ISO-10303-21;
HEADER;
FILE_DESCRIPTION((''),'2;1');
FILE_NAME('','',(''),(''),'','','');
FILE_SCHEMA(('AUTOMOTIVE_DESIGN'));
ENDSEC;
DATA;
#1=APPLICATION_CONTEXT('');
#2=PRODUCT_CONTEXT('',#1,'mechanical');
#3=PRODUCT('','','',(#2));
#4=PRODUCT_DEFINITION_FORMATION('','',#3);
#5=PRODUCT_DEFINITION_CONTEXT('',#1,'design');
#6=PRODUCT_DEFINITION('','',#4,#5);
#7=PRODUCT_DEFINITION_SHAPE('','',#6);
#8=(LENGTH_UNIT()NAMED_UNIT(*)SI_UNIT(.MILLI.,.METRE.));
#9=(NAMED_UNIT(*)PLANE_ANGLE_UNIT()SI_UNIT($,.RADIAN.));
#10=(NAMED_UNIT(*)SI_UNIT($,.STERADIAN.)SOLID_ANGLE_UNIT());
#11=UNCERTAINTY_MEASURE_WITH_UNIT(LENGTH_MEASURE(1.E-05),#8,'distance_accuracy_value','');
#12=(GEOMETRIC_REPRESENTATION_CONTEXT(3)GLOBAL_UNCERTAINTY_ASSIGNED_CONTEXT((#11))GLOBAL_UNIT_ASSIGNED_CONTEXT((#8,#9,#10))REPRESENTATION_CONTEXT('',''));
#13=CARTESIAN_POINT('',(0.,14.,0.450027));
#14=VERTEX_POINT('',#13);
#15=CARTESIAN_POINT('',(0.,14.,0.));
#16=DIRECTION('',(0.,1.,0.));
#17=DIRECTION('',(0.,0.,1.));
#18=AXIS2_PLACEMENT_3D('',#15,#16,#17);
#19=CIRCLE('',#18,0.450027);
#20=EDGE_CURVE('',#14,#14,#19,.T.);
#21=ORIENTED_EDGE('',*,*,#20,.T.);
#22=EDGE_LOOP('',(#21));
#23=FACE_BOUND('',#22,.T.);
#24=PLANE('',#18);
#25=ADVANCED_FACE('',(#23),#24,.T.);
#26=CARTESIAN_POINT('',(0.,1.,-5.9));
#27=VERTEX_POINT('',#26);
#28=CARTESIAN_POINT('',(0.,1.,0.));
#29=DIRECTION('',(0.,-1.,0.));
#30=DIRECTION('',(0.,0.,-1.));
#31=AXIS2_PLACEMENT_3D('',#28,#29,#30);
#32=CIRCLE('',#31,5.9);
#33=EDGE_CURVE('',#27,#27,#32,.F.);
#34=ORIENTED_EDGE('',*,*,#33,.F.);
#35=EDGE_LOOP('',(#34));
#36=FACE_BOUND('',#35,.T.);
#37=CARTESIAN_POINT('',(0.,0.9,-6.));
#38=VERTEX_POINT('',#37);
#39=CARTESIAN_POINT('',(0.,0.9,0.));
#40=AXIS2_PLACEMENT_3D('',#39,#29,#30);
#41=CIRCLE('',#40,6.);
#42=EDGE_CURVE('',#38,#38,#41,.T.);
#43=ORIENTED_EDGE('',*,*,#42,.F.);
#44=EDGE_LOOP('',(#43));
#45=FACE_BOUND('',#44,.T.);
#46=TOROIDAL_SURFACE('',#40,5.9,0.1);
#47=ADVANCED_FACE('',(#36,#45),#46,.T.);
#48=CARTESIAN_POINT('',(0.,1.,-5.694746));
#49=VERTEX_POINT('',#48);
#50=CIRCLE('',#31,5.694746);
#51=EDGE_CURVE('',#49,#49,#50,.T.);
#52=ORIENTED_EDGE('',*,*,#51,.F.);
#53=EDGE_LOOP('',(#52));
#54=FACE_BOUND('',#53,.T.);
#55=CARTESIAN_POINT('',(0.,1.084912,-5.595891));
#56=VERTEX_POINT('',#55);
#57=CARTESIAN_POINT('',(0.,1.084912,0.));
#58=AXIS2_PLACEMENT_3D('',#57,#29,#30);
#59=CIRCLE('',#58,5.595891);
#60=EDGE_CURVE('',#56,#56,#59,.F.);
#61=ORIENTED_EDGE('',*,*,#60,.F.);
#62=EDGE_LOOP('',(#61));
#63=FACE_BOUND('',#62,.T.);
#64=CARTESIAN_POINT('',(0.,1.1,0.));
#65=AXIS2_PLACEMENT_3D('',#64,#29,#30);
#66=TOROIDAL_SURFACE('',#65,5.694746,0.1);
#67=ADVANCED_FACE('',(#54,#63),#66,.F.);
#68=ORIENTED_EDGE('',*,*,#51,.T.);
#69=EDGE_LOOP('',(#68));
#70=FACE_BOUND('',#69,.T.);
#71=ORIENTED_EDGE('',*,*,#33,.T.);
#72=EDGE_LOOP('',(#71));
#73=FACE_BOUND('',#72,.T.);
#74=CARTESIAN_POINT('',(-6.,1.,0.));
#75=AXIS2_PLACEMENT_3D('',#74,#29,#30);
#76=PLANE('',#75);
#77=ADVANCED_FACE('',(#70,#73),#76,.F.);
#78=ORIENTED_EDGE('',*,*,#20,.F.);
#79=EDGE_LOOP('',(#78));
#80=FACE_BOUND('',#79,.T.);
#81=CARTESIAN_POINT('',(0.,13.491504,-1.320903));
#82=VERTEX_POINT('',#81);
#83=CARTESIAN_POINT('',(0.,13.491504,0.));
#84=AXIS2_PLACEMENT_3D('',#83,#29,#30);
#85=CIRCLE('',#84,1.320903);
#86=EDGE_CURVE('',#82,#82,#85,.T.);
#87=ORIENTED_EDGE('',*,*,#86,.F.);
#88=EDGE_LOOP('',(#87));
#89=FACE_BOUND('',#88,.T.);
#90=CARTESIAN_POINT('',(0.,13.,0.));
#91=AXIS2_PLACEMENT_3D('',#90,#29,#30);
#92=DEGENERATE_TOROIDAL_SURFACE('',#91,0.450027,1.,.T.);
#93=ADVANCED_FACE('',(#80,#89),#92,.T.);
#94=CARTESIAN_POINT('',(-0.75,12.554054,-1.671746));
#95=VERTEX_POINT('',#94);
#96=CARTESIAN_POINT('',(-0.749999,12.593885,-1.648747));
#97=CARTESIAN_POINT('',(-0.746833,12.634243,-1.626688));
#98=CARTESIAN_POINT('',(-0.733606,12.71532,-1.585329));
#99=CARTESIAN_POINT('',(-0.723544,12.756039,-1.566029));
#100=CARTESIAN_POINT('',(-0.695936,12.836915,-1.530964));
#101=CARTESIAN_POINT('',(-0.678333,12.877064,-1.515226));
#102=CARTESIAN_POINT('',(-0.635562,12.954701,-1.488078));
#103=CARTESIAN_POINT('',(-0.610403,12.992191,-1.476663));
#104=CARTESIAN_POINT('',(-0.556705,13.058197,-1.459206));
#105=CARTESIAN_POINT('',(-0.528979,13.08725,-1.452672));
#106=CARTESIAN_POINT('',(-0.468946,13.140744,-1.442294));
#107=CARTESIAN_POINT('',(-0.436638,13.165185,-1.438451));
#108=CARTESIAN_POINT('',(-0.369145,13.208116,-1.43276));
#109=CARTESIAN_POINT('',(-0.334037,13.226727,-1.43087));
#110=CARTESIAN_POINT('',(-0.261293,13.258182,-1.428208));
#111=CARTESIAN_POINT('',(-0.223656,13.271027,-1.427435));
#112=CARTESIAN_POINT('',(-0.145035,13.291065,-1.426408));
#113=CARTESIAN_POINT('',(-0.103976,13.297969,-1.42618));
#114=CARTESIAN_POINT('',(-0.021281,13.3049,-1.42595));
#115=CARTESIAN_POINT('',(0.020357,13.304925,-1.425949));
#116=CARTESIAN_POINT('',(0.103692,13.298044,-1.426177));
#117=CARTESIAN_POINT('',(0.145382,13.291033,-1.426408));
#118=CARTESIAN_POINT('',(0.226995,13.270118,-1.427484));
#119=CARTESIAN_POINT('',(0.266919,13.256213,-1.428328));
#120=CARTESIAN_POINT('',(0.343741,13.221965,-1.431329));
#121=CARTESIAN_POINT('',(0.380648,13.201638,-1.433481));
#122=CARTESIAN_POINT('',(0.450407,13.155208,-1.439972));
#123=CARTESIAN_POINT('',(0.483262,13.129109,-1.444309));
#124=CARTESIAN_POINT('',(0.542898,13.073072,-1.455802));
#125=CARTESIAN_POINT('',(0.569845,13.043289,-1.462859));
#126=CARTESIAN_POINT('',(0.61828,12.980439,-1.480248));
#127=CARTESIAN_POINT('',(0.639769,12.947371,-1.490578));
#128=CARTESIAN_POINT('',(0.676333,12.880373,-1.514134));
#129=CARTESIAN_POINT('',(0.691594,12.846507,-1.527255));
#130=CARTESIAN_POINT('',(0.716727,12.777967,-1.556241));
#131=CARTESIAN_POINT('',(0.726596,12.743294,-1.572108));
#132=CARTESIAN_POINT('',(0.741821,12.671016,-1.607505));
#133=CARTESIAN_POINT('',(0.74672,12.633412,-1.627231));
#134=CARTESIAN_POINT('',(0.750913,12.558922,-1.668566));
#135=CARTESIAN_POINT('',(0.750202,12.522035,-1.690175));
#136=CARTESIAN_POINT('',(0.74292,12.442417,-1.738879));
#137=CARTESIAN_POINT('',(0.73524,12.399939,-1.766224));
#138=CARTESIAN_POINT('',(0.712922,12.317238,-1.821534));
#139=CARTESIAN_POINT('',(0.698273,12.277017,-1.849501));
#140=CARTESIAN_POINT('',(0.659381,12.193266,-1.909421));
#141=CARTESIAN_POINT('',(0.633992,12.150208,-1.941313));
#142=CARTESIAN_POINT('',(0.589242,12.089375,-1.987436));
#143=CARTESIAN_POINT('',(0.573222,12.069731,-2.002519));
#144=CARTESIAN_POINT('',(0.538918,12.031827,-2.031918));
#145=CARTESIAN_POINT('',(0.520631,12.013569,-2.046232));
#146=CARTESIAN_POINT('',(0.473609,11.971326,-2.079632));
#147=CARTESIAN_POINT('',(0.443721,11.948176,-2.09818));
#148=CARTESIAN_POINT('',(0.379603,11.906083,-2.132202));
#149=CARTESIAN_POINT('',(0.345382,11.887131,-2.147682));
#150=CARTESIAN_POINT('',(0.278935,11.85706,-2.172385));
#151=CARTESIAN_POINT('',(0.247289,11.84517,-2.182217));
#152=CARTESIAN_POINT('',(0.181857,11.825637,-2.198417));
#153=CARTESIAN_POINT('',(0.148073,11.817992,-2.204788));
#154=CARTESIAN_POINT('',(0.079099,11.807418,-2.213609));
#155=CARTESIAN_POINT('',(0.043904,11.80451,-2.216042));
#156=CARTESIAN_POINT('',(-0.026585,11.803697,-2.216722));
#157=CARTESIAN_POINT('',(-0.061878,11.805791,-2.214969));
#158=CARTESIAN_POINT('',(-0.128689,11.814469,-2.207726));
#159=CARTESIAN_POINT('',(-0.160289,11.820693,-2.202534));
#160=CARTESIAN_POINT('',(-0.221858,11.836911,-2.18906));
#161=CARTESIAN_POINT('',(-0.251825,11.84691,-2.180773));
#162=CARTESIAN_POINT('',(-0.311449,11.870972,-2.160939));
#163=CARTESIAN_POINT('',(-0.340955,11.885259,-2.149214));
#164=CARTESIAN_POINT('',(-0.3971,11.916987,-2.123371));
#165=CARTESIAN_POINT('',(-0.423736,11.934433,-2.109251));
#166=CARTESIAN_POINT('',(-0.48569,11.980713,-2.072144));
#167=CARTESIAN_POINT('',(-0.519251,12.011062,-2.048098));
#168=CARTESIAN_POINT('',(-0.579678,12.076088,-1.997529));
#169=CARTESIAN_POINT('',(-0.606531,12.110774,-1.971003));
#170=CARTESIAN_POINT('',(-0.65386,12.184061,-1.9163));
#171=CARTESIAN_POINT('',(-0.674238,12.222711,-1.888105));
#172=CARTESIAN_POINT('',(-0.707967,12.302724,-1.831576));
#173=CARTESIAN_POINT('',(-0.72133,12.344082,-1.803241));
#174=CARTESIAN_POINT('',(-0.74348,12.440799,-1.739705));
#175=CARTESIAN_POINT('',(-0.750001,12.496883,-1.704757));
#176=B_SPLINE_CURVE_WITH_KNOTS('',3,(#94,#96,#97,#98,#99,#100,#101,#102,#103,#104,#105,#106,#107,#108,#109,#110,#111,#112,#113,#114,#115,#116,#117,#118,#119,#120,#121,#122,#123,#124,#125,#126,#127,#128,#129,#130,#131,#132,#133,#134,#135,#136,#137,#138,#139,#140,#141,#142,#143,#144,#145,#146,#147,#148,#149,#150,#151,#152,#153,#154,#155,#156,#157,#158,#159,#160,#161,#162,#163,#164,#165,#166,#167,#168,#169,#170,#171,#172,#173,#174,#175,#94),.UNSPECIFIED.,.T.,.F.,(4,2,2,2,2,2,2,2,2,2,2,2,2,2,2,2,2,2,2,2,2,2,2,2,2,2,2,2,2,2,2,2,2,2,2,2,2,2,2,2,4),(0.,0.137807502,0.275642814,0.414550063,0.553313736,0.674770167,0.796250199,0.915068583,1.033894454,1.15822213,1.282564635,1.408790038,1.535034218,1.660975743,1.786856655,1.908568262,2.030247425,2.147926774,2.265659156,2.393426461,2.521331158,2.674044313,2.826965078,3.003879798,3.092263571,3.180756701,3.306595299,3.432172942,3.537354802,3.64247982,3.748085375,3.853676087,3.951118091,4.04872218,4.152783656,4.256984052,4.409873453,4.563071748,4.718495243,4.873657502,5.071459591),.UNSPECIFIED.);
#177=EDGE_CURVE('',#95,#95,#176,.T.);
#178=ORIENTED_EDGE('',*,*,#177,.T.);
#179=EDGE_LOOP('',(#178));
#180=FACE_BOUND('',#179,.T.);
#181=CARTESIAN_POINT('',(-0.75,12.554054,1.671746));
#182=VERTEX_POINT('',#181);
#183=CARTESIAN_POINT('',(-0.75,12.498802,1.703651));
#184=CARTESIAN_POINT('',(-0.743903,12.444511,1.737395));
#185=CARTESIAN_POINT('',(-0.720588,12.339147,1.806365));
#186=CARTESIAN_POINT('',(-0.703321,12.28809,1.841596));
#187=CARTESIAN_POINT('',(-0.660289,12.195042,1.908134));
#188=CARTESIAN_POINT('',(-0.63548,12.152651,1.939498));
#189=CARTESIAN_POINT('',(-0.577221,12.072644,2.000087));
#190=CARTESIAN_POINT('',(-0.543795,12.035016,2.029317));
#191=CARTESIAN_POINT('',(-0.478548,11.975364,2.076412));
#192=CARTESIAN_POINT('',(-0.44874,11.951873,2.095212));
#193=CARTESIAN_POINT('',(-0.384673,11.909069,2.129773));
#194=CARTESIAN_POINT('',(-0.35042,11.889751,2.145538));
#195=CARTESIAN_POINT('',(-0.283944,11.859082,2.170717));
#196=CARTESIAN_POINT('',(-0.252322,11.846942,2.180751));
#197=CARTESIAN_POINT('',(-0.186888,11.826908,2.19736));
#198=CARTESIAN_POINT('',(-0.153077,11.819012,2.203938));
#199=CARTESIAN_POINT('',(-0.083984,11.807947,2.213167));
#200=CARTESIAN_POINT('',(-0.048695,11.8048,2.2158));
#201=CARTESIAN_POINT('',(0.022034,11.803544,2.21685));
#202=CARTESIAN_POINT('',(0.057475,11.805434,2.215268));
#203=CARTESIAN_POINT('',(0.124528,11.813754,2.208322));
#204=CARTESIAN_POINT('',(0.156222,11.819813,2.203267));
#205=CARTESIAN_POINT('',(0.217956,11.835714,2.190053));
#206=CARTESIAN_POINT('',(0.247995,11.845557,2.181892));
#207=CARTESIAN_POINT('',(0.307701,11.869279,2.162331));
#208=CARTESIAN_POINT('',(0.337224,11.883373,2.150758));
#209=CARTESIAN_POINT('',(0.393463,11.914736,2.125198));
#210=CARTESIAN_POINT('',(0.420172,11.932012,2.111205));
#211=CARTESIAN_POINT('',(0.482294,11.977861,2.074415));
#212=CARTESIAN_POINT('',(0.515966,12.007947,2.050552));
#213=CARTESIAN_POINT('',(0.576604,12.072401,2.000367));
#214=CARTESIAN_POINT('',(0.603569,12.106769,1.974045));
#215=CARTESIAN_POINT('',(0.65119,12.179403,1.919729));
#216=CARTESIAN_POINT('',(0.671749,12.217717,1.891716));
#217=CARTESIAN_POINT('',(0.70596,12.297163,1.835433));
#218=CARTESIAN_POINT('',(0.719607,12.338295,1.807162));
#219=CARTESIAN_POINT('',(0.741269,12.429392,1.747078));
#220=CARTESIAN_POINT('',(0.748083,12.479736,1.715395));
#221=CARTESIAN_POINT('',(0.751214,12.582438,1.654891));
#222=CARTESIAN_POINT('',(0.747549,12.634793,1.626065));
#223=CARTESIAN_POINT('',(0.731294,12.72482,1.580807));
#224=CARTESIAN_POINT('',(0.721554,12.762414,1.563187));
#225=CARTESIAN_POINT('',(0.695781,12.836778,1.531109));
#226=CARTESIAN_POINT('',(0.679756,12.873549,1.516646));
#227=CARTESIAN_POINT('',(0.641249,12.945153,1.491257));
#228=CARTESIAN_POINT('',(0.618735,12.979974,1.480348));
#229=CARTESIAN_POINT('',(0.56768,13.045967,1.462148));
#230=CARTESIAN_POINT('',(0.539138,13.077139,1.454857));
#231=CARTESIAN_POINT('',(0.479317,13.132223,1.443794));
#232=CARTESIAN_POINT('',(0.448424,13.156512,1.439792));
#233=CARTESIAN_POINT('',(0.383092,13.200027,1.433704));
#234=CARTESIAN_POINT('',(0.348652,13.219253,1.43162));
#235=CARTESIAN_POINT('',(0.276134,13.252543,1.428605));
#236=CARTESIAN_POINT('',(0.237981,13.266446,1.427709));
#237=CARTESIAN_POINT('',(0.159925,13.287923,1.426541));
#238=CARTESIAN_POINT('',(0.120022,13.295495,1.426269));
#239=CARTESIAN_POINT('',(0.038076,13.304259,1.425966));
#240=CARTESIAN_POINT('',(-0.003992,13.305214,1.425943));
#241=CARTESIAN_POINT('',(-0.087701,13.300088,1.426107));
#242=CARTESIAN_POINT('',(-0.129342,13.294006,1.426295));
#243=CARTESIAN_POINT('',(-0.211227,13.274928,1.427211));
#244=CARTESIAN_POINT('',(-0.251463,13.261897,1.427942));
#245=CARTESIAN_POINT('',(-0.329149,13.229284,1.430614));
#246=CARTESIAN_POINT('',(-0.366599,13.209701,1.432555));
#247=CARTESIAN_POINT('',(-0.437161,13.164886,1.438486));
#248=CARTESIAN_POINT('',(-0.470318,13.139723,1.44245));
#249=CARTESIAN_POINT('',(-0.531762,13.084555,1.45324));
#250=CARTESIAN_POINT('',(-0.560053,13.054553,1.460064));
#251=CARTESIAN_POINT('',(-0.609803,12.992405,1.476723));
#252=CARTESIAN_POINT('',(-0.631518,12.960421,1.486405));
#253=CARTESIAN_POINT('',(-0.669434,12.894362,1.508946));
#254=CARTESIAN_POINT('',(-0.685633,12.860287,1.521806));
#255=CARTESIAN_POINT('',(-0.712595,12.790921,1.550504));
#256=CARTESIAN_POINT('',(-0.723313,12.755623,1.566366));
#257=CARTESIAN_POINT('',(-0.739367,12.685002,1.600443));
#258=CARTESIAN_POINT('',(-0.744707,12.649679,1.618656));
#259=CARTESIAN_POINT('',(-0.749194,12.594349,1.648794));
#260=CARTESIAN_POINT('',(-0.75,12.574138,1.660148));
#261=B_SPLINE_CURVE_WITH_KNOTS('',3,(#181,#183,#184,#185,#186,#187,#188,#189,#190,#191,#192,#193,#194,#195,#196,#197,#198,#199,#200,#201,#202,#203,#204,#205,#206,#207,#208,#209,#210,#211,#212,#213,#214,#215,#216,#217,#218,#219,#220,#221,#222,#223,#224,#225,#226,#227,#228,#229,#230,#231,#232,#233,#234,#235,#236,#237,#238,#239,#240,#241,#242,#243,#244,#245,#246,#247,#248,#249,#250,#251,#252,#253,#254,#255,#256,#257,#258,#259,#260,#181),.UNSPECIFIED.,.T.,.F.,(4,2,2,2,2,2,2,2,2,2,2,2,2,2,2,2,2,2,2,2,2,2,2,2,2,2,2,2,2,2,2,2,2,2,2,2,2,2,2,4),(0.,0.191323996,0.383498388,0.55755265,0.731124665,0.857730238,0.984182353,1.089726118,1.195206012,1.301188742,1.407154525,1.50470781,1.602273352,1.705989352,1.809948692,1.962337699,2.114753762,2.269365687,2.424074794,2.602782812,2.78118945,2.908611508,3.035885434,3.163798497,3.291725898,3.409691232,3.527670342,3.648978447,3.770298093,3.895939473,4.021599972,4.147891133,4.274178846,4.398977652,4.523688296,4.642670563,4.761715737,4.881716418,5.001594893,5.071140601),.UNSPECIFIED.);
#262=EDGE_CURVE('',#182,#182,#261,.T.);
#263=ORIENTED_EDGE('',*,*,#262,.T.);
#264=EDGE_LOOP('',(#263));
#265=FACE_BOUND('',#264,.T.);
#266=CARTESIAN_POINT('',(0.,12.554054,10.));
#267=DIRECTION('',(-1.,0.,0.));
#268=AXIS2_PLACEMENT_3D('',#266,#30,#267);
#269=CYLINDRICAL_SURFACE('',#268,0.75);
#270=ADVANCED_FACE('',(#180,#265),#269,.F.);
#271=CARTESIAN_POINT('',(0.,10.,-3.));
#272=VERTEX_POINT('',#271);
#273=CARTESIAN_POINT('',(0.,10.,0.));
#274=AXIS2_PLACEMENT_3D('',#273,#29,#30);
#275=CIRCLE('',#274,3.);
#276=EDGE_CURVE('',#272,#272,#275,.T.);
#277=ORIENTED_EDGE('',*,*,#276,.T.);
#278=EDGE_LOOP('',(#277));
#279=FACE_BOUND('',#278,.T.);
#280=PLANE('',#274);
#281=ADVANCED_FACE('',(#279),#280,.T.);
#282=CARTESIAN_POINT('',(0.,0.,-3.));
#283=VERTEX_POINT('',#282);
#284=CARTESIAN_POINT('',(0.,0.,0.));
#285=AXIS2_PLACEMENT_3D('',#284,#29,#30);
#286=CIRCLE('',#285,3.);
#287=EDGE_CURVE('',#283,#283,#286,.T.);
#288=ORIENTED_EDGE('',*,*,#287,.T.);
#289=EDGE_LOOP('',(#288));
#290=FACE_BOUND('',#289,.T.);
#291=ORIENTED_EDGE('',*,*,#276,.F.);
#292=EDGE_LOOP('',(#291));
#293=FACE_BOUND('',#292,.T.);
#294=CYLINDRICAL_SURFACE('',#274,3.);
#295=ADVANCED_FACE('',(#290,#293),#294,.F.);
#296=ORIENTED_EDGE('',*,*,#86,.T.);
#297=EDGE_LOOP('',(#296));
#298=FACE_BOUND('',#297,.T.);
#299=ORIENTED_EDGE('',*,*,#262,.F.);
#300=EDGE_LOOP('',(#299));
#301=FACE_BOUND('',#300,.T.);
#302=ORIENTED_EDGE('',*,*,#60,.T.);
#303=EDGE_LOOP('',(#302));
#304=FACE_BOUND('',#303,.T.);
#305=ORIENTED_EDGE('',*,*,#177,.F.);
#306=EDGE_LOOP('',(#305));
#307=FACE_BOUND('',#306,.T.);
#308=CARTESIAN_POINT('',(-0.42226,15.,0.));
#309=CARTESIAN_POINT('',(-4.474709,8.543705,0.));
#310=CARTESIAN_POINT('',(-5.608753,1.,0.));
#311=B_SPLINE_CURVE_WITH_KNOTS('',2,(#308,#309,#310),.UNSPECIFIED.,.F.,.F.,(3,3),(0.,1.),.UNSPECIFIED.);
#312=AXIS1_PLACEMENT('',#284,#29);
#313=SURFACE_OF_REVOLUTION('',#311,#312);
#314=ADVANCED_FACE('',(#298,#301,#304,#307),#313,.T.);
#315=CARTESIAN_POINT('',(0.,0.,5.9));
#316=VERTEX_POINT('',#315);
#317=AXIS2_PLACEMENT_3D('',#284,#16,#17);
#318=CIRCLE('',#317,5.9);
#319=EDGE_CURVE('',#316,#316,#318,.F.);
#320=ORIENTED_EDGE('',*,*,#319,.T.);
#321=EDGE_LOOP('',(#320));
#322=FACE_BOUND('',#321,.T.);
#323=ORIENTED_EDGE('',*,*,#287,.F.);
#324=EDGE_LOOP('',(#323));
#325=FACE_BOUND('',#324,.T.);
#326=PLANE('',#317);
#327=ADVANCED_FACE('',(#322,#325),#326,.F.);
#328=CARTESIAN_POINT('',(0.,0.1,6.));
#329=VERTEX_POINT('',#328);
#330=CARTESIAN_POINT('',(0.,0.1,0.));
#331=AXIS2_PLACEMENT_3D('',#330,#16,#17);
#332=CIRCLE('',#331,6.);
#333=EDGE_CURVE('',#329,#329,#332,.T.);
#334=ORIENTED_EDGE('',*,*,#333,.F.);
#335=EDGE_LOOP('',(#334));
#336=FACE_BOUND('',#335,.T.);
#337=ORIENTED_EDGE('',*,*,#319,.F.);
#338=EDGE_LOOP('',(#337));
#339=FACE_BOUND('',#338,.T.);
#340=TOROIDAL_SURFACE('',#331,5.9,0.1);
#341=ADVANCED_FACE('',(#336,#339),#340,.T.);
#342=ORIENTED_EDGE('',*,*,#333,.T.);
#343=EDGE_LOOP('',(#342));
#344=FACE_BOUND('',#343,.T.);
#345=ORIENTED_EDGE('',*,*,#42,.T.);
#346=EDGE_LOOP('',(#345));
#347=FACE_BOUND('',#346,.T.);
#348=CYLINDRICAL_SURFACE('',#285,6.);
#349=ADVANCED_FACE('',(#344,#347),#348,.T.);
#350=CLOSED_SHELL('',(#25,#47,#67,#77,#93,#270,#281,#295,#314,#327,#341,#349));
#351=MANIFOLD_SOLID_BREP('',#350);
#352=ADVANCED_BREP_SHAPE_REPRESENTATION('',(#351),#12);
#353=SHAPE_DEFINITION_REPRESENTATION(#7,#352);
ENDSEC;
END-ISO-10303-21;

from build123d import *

# Parameters (mm, degrees)
SKETCH2_R               = 1.10372573
CUT_EXTRUDE1_DEPTH      = 1
FILLET1_R               = 1
SKETCH3_R               = 0.75
CUT_EXTRUDE2_DEPTH      = 10
CUT_EXTRUDE2_DEPTH_BACK = 3
FILLET2_R               = 0.1
SKETCH4_R               = 3
CUT_EXTRUDE3_DEPTH      = 10


with BuildPart() as part:
    # Sketch1 → Revolve1 (revolve)
    with BuildSketch(Plane.XY):
        with BuildLine():
            Line((0, 0), (0, 15))
            Line((0, 15), (-0.422259829, 15))
            add(Edge.make_bspline(
                [(-5.608753273, 1), (-4.474708876, 8.543704993), (-0.422259829, 15)],
                knots=[0, 0, 0, 1, 1, 1], degree=2))
            Line((-5.608753273, 1), (-6, 1))
            Line((-6, 1), (-6, 0))
            Line((-6, 0), (0, 0))
        make_face()
    revolve(axis=Axis((0, 0, 0), (0, 1, 0)))

    # Sketch2 → Cut-Extrude1 (cut)
    with BuildSketch(Plane(origin=(0, 15, 0), x_dir=(1, 0, 0), z_dir=(0, 1, 0))):
        Circle(SKETCH2_R)
    extrude(amount=-CUT_EXTRUDE1_DEPTH, mode=Mode.SUBTRACT)

    # Fillet1
    fillet1_edges = [part.edges().sort_by_distance(p)[0] for p in [
        (1.028614291, 14, 1.9e-08),
    ]]
    fillet(fillet1_edges, radius=FILLET1_R)

    # Sketch3 → Cut-Extrude2 (cut, two sides)
    with BuildSketch(Plane.XY) as cut_extrude2_sk:
        with Locations((0, 12.554053904)):
            Circle(SKETCH3_R)
    extrude(amount=CUT_EXTRUDE2_DEPTH, mode=Mode.SUBTRACT)
    extrude(cut_extrude2_sk.sketch, amount=-CUT_EXTRUDE2_DEPTH_BACK, mode=Mode.SUBTRACT)

    # Fillet2
    fillet2_edges = [part.edges().sort_by_distance(p)[0] for p in [
        (6, 0, 0),
        (6, 1, 0),
        (5.608753273, 1, 0),
    ]]
    fillet(fillet2_edges, radius=FILLET2_R)

    # Sketch4 → Cut-Extrude3 (cut)
    with BuildSketch(Plane.XZ):
        Circle(SKETCH4_R)
    extrude(amount=-CUT_EXTRUDE3_DEPTH, mode=Mode.SUBTRACT)


solid = part.part
